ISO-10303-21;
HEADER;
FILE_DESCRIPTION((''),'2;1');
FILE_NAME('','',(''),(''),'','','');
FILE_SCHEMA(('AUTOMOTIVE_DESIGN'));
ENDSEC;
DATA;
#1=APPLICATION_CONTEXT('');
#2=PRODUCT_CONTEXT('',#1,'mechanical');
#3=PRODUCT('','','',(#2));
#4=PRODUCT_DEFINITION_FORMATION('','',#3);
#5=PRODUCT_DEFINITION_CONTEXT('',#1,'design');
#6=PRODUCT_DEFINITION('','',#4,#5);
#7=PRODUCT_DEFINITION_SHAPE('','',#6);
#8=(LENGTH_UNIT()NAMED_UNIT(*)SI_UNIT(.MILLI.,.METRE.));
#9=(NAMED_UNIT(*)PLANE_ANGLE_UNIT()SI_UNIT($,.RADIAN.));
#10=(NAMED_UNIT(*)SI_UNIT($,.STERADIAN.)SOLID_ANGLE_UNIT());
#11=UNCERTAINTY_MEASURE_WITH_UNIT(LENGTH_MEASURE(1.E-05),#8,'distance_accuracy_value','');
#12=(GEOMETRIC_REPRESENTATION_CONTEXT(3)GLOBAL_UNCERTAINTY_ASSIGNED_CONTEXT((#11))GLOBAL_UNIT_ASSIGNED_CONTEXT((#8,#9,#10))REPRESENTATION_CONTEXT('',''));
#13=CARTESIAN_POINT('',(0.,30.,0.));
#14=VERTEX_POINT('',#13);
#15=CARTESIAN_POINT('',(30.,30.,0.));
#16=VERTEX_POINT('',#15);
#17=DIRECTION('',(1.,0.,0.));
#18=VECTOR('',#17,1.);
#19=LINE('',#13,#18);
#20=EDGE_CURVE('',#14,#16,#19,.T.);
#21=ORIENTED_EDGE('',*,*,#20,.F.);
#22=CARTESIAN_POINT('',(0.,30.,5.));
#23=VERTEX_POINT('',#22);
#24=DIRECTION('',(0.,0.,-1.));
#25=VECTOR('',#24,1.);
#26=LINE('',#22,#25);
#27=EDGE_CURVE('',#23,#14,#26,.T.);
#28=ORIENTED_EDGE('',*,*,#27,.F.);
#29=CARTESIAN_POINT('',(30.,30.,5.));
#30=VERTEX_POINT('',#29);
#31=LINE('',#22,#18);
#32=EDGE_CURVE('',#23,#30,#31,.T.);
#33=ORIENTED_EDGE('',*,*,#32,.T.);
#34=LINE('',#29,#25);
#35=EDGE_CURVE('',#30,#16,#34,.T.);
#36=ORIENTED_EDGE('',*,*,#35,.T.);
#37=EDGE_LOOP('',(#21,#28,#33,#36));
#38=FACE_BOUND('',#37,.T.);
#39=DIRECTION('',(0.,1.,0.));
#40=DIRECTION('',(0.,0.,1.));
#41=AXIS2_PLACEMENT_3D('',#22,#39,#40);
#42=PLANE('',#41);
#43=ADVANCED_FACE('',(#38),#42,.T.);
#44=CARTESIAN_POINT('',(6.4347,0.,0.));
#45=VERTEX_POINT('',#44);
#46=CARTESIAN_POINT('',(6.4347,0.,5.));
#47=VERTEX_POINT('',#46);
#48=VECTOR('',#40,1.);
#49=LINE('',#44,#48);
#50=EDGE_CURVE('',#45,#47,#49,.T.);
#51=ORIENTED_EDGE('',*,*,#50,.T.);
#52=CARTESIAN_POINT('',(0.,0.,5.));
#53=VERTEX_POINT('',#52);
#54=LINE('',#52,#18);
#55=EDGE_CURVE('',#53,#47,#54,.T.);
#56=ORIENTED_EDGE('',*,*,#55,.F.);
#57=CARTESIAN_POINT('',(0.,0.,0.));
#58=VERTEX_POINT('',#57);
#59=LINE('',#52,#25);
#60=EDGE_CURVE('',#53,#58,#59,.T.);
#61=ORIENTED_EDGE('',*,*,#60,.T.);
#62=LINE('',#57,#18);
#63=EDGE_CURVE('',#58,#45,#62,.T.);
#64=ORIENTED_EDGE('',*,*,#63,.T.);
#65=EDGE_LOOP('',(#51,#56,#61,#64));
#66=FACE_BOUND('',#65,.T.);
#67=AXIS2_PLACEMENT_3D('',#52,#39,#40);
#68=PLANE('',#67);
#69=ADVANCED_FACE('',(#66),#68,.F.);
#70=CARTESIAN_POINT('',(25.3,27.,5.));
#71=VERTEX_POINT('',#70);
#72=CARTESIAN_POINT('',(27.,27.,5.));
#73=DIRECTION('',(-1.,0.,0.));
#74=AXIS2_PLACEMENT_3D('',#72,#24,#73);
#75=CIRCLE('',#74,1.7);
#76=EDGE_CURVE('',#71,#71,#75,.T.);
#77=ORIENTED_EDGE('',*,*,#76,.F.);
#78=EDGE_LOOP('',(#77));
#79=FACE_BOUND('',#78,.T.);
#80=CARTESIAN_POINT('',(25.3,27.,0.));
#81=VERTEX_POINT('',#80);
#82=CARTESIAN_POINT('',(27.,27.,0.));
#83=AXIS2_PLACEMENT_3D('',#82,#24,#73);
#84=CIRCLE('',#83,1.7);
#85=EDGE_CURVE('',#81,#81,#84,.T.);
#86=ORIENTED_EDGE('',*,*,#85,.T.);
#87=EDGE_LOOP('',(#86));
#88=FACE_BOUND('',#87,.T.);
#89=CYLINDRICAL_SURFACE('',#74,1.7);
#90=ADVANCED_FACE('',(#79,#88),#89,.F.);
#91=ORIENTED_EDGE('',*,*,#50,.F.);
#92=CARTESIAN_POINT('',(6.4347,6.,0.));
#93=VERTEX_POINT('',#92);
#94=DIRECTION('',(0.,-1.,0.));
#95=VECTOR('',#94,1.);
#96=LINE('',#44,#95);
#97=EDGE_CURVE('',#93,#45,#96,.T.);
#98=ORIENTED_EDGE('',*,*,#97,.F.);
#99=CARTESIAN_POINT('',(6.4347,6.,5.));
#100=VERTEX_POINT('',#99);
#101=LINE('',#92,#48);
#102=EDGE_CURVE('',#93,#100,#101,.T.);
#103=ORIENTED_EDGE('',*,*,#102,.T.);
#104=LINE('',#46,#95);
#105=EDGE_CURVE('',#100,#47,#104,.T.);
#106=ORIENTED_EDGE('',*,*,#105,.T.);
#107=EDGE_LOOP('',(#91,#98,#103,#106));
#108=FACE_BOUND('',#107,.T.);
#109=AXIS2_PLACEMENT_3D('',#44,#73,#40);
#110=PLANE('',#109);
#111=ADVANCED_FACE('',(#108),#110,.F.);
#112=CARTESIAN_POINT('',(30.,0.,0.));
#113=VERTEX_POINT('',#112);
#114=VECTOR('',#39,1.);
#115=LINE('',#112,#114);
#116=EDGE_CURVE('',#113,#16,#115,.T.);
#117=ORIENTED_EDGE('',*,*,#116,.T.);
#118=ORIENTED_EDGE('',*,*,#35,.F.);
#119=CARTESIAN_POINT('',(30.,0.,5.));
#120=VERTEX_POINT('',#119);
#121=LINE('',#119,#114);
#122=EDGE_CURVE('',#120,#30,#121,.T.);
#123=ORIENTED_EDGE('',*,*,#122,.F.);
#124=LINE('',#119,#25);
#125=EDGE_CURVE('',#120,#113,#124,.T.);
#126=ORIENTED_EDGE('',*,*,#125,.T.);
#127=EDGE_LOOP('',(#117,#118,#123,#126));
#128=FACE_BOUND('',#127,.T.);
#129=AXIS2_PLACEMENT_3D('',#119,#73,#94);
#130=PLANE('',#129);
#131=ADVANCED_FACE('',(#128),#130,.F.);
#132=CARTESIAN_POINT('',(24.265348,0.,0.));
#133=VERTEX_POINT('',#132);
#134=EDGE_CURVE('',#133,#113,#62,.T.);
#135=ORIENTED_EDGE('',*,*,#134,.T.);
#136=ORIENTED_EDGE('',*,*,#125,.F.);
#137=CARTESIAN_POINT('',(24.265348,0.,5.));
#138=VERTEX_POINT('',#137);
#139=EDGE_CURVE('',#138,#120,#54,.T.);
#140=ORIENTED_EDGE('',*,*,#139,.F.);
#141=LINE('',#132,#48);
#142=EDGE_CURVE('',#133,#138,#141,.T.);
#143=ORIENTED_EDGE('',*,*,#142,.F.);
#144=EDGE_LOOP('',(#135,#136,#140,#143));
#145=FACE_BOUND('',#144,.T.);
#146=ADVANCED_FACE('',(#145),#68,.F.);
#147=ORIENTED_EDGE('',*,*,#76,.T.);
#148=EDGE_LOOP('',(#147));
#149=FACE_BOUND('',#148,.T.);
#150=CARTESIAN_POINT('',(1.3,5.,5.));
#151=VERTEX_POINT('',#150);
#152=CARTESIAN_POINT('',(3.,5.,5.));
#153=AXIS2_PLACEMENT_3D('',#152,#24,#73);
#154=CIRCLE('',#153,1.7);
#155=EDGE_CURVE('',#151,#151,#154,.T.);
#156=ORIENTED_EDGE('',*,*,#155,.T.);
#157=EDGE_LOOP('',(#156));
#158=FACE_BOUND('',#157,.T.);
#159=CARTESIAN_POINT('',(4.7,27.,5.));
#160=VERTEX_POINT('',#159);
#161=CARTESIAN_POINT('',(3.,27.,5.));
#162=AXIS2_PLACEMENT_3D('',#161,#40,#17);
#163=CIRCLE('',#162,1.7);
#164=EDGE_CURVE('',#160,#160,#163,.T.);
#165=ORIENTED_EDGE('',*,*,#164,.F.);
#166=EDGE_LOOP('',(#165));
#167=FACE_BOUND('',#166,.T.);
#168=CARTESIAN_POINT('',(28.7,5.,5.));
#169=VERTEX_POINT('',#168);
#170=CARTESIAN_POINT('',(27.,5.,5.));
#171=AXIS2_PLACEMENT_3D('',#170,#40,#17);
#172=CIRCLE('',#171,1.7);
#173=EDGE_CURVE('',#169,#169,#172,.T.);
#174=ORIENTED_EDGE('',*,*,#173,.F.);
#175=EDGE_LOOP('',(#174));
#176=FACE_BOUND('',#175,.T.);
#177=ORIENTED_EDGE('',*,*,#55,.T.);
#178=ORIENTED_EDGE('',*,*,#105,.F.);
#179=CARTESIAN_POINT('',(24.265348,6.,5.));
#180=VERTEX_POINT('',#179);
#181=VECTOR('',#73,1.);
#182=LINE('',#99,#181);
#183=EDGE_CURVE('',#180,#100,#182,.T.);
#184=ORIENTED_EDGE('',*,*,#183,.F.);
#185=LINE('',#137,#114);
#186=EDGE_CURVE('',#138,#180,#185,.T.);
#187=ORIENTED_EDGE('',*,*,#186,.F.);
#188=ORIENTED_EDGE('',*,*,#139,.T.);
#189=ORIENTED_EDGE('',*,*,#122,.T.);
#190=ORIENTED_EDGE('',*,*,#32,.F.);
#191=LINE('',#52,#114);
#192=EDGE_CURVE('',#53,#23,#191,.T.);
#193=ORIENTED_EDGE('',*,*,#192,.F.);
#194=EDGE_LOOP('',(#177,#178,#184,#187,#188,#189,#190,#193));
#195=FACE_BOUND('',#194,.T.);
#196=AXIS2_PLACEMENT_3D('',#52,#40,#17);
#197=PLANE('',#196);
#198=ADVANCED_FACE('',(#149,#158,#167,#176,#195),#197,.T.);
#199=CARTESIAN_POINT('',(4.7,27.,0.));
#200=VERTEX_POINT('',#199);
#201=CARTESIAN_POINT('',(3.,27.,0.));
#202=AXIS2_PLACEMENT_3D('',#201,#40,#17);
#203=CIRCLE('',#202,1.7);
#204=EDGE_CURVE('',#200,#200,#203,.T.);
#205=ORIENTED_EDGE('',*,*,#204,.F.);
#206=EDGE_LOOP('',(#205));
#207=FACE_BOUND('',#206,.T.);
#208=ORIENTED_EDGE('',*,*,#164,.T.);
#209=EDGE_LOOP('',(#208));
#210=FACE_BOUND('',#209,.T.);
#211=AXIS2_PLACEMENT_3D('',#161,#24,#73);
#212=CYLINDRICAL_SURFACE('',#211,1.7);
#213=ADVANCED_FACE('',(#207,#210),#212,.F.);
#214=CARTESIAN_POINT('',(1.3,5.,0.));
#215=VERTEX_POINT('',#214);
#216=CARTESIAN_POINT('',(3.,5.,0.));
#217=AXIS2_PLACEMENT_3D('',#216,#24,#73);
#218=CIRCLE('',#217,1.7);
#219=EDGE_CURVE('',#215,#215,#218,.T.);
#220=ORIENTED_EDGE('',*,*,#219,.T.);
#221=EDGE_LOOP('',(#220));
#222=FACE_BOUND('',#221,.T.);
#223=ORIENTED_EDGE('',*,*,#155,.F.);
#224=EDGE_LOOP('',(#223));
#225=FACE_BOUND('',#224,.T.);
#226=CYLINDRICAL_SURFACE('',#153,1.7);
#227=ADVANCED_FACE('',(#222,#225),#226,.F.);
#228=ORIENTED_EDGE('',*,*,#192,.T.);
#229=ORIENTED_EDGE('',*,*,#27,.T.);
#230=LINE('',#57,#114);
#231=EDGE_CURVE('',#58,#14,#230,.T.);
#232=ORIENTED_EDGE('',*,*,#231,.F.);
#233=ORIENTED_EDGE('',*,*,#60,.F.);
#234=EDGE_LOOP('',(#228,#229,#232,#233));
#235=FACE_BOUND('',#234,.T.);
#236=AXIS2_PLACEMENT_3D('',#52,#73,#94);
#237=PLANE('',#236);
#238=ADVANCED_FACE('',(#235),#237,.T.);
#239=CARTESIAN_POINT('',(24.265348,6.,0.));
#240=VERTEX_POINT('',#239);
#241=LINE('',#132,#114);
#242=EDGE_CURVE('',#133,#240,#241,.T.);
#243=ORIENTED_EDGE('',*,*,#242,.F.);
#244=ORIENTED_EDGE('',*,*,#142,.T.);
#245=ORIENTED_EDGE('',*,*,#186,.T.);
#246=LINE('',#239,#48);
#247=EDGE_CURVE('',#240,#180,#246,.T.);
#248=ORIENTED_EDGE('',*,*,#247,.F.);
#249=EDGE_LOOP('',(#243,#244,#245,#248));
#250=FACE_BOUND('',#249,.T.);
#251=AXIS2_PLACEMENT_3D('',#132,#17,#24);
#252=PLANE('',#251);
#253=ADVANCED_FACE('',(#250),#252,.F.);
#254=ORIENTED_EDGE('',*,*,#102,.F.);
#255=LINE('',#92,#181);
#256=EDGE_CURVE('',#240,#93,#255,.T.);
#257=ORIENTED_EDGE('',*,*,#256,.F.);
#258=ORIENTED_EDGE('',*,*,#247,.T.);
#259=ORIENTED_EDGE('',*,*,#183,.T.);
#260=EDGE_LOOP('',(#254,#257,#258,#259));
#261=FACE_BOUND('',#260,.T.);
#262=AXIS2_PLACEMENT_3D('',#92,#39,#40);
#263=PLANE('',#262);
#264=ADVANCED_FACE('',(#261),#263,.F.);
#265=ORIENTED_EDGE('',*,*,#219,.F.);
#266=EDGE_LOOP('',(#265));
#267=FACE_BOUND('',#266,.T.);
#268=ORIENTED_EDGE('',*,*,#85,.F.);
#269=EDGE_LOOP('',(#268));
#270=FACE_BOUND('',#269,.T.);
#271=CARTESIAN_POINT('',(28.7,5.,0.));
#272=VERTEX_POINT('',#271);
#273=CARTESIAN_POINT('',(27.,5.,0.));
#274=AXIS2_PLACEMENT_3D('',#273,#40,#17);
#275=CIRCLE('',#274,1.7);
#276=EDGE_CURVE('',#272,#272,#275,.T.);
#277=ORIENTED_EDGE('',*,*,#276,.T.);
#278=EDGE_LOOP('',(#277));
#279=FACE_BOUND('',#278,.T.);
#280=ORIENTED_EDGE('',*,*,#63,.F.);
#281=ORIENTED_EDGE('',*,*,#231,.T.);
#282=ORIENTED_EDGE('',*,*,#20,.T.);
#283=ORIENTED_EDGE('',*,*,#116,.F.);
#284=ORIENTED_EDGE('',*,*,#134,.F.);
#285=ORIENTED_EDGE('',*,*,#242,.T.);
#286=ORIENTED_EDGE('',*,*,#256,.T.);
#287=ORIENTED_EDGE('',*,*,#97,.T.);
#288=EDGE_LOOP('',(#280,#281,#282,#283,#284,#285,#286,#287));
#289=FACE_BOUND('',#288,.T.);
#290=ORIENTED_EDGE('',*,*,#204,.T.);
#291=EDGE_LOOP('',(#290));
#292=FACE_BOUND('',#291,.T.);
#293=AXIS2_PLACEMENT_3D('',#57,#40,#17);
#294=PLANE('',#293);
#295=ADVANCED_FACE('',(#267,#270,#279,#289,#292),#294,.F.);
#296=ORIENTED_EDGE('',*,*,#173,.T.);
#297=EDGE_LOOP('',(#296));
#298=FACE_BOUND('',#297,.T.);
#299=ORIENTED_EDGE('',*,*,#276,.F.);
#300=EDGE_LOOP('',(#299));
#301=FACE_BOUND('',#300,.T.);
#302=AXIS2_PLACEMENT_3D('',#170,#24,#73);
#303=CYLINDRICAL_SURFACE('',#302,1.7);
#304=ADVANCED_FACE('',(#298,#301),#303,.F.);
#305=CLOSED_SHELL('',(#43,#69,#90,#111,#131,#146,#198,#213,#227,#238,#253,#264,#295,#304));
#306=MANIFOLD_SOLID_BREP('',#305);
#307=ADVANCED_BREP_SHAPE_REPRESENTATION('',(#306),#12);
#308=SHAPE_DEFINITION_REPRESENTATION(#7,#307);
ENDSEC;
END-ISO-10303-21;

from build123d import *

# Parameters (mm, degrees)
SKETCH1_W           = 30
SKETCH1_H           = 30
SKETCH1_R           = 1.7
BOSS_EXTRUDE1_DEPTH = 5
SKETCH3_W           = 17.830647844
SKETCH3_H           = 6
CUT_EXTRUDE1_DEPTH  = 5


with BuildPart() as part:
    # Sketch1 → Boss-Extrude1 (new body)
    with BuildSketch(Plane.XY):
        with Locations((15, 15)):
            Rectangle(SKETCH1_W, SKETCH1_H)
        with Locations((3, 27)):
            Circle(SKETCH1_R, mode=Mode.SUBTRACT)
        with Locations((27, 27)):
            Circle(SKETCH1_R, mode=Mode.SUBTRACT)
        with Locations((27, 5)):
            Circle(SKETCH1_R, mode=Mode.SUBTRACT)
        with Locations((3, 5)):
            Circle(SKETCH1_R, mode=Mode.SUBTRACT)
    extrude(amount=BOSS_EXTRUDE1_DEPTH)

    # Sketch3 → Cut-Extrude1 (cut)
    with BuildSketch(Plane.XY.offset(5)):
        with Locations((15.350024265, 3)):
            Rectangle(SKETCH3_W, SKETCH3_H)
    extrude(amount=-CUT_EXTRUDE1_DEPTH, mode=Mode.SUBTRACT)


solid = part.part
